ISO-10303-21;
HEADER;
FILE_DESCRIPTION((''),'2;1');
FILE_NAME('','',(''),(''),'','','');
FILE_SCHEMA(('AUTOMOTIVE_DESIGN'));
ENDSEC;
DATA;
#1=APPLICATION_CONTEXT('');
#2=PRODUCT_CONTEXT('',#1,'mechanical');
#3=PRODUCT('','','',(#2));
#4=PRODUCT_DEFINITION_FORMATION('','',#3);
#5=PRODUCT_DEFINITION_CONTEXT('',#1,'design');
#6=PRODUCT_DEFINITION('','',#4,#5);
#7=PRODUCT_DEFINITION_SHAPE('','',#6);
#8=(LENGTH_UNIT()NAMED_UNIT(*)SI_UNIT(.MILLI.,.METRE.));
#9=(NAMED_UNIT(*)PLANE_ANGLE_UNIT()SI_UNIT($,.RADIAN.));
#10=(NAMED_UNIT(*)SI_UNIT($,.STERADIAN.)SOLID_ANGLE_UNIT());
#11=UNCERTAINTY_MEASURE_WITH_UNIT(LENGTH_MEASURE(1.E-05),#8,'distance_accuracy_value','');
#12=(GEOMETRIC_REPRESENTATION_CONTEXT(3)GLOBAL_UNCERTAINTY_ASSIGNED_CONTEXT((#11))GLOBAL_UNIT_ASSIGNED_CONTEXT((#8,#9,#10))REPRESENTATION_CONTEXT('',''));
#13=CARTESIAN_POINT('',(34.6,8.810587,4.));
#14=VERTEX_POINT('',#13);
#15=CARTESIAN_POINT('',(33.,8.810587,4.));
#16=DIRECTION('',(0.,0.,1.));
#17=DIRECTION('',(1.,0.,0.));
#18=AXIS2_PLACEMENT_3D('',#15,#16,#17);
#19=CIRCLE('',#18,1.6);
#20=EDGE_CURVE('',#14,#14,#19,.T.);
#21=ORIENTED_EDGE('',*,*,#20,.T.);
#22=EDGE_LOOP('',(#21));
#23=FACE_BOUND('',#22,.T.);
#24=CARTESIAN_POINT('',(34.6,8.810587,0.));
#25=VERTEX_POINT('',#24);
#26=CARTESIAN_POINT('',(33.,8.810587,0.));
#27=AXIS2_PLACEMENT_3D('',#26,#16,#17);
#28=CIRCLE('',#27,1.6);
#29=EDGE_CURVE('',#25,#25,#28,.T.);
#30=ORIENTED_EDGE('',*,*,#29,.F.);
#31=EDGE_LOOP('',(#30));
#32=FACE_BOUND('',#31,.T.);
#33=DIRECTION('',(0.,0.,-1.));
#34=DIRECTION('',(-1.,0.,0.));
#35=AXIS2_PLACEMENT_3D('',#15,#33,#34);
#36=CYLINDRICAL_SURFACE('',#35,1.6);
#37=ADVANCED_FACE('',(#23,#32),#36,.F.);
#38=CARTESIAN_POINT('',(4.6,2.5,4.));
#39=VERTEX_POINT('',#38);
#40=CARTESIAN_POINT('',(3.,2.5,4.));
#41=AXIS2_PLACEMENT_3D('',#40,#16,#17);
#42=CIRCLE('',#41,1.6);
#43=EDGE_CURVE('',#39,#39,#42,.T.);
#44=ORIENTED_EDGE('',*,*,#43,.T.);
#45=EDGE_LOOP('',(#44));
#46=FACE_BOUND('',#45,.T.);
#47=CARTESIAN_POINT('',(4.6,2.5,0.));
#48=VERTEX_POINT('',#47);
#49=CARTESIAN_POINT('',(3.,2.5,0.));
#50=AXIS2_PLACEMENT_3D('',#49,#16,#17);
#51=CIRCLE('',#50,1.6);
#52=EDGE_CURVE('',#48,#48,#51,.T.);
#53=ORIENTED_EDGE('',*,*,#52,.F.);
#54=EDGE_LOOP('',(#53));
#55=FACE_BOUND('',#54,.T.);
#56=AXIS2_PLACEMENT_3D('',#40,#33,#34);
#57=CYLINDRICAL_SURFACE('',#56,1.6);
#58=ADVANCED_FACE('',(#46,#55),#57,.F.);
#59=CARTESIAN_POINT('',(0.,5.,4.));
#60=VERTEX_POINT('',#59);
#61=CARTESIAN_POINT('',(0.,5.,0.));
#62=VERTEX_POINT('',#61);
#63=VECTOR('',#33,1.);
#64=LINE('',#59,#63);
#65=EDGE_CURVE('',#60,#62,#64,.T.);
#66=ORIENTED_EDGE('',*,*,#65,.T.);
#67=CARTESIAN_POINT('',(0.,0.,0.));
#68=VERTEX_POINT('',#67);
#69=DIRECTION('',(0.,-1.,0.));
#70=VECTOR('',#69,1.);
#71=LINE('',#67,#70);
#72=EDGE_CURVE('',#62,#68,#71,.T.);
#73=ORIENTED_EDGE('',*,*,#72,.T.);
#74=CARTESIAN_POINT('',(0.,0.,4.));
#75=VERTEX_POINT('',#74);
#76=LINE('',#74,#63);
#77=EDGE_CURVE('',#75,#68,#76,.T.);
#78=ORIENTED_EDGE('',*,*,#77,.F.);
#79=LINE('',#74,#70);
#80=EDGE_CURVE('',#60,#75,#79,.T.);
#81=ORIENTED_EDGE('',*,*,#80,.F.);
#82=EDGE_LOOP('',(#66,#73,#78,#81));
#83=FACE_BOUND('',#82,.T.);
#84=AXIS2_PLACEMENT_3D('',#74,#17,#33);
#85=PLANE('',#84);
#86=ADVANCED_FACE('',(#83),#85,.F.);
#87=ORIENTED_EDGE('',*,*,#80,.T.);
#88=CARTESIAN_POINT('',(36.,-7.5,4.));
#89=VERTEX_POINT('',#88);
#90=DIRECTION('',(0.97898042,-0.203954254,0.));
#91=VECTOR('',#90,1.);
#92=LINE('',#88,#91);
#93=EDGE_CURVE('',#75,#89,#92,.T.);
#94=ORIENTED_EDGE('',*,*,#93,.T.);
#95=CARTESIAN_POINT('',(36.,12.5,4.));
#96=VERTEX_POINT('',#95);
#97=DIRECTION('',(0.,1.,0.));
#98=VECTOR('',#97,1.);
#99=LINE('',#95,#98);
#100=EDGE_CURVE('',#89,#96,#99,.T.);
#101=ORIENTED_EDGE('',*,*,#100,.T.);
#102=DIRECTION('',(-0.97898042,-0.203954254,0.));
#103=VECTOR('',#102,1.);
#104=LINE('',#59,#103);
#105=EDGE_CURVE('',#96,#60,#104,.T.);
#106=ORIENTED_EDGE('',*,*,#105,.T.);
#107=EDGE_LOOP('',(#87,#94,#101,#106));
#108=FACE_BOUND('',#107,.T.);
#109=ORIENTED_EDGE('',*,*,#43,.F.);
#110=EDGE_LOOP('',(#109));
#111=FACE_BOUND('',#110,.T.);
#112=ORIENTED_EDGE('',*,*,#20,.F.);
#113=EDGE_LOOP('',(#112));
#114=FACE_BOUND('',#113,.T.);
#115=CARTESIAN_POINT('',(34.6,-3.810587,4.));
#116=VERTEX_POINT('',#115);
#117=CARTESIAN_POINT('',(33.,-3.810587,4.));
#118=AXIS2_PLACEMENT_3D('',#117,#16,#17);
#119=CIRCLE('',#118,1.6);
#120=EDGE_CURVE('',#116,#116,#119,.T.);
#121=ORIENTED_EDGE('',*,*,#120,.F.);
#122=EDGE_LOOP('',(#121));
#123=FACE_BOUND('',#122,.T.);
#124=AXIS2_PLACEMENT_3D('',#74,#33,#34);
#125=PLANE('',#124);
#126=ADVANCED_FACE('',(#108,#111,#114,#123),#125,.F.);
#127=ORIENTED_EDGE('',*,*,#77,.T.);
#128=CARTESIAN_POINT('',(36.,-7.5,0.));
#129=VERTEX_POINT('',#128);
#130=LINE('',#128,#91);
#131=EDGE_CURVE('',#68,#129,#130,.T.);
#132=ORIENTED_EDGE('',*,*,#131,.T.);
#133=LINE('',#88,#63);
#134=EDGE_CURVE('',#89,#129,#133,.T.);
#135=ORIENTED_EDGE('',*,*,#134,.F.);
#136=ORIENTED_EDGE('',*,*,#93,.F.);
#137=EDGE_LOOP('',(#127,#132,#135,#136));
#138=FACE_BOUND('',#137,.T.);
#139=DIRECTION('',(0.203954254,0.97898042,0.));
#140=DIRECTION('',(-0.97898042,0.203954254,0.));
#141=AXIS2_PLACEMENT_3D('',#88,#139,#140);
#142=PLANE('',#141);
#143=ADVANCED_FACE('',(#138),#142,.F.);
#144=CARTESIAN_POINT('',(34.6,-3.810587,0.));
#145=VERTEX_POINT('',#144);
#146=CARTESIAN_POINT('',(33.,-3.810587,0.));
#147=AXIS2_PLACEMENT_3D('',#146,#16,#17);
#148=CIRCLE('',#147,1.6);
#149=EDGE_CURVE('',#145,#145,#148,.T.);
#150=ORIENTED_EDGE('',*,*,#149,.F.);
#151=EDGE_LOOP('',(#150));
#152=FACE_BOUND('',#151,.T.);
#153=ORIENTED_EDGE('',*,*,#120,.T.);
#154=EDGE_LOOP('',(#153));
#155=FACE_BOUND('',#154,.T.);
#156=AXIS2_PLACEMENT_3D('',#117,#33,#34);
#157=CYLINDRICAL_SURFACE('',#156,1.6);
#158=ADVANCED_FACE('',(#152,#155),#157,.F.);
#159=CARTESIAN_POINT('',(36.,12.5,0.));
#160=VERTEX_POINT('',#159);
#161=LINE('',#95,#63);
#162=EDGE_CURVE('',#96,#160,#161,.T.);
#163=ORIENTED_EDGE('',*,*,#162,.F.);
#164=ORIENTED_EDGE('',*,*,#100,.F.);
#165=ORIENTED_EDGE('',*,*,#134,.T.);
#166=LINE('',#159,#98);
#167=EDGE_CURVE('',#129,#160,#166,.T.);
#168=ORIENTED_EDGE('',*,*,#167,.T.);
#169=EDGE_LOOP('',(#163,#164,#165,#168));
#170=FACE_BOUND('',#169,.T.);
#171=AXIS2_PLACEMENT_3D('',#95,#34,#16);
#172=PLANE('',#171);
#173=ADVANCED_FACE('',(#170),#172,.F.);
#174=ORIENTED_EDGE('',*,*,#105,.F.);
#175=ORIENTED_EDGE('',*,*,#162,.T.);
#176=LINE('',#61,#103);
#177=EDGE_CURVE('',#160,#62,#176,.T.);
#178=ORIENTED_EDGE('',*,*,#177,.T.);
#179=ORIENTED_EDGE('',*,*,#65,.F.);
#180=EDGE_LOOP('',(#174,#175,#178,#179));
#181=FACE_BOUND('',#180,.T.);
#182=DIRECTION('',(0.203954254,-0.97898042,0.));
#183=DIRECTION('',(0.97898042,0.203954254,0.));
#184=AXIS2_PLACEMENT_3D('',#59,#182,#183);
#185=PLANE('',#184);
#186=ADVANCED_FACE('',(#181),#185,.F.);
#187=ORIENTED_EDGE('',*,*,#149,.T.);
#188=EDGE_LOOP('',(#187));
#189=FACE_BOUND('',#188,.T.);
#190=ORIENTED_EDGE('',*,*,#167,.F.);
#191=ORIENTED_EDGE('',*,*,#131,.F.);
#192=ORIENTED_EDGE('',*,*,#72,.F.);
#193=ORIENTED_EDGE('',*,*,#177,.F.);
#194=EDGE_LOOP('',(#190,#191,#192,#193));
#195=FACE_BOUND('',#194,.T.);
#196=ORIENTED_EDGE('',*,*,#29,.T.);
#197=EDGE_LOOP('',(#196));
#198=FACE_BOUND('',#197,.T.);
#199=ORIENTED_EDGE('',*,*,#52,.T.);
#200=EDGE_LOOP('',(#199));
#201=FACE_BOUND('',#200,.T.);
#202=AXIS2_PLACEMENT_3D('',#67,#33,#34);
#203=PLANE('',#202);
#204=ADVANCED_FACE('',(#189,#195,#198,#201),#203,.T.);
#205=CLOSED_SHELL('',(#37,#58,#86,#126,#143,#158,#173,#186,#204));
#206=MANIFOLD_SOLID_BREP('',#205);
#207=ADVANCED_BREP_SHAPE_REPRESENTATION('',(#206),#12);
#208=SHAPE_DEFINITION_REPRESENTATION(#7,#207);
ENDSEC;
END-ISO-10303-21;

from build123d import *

# Parameters (mm, degrees)
SKETCH1_R           = 1.6
BOSS_EXTRUDE1_DEPTH = 4


with BuildPart() as part:
    # Sketch1 → Boss-Extrude1 (new body)
    with BuildSketch(Plane.XY):
        Polygon((0, 0), (0, 5), (36, 12.5), (36, -7.5), align=None)
        with Locations((3, 2.5)):
            Circle(SKETCH1_R, mode=Mode.SUBTRACT)
        with Locations((33, 8.810587332)):
            Circle(SKETCH1_R, mode=Mode.SUBTRACT)
        with Locations((33, -3.810587332)):
            Circle(SKETCH1_R, mode=Mode.SUBTRACT)
    extrude(amount=BOSS_EXTRUDE1_DEPTH)


solid = part.part
